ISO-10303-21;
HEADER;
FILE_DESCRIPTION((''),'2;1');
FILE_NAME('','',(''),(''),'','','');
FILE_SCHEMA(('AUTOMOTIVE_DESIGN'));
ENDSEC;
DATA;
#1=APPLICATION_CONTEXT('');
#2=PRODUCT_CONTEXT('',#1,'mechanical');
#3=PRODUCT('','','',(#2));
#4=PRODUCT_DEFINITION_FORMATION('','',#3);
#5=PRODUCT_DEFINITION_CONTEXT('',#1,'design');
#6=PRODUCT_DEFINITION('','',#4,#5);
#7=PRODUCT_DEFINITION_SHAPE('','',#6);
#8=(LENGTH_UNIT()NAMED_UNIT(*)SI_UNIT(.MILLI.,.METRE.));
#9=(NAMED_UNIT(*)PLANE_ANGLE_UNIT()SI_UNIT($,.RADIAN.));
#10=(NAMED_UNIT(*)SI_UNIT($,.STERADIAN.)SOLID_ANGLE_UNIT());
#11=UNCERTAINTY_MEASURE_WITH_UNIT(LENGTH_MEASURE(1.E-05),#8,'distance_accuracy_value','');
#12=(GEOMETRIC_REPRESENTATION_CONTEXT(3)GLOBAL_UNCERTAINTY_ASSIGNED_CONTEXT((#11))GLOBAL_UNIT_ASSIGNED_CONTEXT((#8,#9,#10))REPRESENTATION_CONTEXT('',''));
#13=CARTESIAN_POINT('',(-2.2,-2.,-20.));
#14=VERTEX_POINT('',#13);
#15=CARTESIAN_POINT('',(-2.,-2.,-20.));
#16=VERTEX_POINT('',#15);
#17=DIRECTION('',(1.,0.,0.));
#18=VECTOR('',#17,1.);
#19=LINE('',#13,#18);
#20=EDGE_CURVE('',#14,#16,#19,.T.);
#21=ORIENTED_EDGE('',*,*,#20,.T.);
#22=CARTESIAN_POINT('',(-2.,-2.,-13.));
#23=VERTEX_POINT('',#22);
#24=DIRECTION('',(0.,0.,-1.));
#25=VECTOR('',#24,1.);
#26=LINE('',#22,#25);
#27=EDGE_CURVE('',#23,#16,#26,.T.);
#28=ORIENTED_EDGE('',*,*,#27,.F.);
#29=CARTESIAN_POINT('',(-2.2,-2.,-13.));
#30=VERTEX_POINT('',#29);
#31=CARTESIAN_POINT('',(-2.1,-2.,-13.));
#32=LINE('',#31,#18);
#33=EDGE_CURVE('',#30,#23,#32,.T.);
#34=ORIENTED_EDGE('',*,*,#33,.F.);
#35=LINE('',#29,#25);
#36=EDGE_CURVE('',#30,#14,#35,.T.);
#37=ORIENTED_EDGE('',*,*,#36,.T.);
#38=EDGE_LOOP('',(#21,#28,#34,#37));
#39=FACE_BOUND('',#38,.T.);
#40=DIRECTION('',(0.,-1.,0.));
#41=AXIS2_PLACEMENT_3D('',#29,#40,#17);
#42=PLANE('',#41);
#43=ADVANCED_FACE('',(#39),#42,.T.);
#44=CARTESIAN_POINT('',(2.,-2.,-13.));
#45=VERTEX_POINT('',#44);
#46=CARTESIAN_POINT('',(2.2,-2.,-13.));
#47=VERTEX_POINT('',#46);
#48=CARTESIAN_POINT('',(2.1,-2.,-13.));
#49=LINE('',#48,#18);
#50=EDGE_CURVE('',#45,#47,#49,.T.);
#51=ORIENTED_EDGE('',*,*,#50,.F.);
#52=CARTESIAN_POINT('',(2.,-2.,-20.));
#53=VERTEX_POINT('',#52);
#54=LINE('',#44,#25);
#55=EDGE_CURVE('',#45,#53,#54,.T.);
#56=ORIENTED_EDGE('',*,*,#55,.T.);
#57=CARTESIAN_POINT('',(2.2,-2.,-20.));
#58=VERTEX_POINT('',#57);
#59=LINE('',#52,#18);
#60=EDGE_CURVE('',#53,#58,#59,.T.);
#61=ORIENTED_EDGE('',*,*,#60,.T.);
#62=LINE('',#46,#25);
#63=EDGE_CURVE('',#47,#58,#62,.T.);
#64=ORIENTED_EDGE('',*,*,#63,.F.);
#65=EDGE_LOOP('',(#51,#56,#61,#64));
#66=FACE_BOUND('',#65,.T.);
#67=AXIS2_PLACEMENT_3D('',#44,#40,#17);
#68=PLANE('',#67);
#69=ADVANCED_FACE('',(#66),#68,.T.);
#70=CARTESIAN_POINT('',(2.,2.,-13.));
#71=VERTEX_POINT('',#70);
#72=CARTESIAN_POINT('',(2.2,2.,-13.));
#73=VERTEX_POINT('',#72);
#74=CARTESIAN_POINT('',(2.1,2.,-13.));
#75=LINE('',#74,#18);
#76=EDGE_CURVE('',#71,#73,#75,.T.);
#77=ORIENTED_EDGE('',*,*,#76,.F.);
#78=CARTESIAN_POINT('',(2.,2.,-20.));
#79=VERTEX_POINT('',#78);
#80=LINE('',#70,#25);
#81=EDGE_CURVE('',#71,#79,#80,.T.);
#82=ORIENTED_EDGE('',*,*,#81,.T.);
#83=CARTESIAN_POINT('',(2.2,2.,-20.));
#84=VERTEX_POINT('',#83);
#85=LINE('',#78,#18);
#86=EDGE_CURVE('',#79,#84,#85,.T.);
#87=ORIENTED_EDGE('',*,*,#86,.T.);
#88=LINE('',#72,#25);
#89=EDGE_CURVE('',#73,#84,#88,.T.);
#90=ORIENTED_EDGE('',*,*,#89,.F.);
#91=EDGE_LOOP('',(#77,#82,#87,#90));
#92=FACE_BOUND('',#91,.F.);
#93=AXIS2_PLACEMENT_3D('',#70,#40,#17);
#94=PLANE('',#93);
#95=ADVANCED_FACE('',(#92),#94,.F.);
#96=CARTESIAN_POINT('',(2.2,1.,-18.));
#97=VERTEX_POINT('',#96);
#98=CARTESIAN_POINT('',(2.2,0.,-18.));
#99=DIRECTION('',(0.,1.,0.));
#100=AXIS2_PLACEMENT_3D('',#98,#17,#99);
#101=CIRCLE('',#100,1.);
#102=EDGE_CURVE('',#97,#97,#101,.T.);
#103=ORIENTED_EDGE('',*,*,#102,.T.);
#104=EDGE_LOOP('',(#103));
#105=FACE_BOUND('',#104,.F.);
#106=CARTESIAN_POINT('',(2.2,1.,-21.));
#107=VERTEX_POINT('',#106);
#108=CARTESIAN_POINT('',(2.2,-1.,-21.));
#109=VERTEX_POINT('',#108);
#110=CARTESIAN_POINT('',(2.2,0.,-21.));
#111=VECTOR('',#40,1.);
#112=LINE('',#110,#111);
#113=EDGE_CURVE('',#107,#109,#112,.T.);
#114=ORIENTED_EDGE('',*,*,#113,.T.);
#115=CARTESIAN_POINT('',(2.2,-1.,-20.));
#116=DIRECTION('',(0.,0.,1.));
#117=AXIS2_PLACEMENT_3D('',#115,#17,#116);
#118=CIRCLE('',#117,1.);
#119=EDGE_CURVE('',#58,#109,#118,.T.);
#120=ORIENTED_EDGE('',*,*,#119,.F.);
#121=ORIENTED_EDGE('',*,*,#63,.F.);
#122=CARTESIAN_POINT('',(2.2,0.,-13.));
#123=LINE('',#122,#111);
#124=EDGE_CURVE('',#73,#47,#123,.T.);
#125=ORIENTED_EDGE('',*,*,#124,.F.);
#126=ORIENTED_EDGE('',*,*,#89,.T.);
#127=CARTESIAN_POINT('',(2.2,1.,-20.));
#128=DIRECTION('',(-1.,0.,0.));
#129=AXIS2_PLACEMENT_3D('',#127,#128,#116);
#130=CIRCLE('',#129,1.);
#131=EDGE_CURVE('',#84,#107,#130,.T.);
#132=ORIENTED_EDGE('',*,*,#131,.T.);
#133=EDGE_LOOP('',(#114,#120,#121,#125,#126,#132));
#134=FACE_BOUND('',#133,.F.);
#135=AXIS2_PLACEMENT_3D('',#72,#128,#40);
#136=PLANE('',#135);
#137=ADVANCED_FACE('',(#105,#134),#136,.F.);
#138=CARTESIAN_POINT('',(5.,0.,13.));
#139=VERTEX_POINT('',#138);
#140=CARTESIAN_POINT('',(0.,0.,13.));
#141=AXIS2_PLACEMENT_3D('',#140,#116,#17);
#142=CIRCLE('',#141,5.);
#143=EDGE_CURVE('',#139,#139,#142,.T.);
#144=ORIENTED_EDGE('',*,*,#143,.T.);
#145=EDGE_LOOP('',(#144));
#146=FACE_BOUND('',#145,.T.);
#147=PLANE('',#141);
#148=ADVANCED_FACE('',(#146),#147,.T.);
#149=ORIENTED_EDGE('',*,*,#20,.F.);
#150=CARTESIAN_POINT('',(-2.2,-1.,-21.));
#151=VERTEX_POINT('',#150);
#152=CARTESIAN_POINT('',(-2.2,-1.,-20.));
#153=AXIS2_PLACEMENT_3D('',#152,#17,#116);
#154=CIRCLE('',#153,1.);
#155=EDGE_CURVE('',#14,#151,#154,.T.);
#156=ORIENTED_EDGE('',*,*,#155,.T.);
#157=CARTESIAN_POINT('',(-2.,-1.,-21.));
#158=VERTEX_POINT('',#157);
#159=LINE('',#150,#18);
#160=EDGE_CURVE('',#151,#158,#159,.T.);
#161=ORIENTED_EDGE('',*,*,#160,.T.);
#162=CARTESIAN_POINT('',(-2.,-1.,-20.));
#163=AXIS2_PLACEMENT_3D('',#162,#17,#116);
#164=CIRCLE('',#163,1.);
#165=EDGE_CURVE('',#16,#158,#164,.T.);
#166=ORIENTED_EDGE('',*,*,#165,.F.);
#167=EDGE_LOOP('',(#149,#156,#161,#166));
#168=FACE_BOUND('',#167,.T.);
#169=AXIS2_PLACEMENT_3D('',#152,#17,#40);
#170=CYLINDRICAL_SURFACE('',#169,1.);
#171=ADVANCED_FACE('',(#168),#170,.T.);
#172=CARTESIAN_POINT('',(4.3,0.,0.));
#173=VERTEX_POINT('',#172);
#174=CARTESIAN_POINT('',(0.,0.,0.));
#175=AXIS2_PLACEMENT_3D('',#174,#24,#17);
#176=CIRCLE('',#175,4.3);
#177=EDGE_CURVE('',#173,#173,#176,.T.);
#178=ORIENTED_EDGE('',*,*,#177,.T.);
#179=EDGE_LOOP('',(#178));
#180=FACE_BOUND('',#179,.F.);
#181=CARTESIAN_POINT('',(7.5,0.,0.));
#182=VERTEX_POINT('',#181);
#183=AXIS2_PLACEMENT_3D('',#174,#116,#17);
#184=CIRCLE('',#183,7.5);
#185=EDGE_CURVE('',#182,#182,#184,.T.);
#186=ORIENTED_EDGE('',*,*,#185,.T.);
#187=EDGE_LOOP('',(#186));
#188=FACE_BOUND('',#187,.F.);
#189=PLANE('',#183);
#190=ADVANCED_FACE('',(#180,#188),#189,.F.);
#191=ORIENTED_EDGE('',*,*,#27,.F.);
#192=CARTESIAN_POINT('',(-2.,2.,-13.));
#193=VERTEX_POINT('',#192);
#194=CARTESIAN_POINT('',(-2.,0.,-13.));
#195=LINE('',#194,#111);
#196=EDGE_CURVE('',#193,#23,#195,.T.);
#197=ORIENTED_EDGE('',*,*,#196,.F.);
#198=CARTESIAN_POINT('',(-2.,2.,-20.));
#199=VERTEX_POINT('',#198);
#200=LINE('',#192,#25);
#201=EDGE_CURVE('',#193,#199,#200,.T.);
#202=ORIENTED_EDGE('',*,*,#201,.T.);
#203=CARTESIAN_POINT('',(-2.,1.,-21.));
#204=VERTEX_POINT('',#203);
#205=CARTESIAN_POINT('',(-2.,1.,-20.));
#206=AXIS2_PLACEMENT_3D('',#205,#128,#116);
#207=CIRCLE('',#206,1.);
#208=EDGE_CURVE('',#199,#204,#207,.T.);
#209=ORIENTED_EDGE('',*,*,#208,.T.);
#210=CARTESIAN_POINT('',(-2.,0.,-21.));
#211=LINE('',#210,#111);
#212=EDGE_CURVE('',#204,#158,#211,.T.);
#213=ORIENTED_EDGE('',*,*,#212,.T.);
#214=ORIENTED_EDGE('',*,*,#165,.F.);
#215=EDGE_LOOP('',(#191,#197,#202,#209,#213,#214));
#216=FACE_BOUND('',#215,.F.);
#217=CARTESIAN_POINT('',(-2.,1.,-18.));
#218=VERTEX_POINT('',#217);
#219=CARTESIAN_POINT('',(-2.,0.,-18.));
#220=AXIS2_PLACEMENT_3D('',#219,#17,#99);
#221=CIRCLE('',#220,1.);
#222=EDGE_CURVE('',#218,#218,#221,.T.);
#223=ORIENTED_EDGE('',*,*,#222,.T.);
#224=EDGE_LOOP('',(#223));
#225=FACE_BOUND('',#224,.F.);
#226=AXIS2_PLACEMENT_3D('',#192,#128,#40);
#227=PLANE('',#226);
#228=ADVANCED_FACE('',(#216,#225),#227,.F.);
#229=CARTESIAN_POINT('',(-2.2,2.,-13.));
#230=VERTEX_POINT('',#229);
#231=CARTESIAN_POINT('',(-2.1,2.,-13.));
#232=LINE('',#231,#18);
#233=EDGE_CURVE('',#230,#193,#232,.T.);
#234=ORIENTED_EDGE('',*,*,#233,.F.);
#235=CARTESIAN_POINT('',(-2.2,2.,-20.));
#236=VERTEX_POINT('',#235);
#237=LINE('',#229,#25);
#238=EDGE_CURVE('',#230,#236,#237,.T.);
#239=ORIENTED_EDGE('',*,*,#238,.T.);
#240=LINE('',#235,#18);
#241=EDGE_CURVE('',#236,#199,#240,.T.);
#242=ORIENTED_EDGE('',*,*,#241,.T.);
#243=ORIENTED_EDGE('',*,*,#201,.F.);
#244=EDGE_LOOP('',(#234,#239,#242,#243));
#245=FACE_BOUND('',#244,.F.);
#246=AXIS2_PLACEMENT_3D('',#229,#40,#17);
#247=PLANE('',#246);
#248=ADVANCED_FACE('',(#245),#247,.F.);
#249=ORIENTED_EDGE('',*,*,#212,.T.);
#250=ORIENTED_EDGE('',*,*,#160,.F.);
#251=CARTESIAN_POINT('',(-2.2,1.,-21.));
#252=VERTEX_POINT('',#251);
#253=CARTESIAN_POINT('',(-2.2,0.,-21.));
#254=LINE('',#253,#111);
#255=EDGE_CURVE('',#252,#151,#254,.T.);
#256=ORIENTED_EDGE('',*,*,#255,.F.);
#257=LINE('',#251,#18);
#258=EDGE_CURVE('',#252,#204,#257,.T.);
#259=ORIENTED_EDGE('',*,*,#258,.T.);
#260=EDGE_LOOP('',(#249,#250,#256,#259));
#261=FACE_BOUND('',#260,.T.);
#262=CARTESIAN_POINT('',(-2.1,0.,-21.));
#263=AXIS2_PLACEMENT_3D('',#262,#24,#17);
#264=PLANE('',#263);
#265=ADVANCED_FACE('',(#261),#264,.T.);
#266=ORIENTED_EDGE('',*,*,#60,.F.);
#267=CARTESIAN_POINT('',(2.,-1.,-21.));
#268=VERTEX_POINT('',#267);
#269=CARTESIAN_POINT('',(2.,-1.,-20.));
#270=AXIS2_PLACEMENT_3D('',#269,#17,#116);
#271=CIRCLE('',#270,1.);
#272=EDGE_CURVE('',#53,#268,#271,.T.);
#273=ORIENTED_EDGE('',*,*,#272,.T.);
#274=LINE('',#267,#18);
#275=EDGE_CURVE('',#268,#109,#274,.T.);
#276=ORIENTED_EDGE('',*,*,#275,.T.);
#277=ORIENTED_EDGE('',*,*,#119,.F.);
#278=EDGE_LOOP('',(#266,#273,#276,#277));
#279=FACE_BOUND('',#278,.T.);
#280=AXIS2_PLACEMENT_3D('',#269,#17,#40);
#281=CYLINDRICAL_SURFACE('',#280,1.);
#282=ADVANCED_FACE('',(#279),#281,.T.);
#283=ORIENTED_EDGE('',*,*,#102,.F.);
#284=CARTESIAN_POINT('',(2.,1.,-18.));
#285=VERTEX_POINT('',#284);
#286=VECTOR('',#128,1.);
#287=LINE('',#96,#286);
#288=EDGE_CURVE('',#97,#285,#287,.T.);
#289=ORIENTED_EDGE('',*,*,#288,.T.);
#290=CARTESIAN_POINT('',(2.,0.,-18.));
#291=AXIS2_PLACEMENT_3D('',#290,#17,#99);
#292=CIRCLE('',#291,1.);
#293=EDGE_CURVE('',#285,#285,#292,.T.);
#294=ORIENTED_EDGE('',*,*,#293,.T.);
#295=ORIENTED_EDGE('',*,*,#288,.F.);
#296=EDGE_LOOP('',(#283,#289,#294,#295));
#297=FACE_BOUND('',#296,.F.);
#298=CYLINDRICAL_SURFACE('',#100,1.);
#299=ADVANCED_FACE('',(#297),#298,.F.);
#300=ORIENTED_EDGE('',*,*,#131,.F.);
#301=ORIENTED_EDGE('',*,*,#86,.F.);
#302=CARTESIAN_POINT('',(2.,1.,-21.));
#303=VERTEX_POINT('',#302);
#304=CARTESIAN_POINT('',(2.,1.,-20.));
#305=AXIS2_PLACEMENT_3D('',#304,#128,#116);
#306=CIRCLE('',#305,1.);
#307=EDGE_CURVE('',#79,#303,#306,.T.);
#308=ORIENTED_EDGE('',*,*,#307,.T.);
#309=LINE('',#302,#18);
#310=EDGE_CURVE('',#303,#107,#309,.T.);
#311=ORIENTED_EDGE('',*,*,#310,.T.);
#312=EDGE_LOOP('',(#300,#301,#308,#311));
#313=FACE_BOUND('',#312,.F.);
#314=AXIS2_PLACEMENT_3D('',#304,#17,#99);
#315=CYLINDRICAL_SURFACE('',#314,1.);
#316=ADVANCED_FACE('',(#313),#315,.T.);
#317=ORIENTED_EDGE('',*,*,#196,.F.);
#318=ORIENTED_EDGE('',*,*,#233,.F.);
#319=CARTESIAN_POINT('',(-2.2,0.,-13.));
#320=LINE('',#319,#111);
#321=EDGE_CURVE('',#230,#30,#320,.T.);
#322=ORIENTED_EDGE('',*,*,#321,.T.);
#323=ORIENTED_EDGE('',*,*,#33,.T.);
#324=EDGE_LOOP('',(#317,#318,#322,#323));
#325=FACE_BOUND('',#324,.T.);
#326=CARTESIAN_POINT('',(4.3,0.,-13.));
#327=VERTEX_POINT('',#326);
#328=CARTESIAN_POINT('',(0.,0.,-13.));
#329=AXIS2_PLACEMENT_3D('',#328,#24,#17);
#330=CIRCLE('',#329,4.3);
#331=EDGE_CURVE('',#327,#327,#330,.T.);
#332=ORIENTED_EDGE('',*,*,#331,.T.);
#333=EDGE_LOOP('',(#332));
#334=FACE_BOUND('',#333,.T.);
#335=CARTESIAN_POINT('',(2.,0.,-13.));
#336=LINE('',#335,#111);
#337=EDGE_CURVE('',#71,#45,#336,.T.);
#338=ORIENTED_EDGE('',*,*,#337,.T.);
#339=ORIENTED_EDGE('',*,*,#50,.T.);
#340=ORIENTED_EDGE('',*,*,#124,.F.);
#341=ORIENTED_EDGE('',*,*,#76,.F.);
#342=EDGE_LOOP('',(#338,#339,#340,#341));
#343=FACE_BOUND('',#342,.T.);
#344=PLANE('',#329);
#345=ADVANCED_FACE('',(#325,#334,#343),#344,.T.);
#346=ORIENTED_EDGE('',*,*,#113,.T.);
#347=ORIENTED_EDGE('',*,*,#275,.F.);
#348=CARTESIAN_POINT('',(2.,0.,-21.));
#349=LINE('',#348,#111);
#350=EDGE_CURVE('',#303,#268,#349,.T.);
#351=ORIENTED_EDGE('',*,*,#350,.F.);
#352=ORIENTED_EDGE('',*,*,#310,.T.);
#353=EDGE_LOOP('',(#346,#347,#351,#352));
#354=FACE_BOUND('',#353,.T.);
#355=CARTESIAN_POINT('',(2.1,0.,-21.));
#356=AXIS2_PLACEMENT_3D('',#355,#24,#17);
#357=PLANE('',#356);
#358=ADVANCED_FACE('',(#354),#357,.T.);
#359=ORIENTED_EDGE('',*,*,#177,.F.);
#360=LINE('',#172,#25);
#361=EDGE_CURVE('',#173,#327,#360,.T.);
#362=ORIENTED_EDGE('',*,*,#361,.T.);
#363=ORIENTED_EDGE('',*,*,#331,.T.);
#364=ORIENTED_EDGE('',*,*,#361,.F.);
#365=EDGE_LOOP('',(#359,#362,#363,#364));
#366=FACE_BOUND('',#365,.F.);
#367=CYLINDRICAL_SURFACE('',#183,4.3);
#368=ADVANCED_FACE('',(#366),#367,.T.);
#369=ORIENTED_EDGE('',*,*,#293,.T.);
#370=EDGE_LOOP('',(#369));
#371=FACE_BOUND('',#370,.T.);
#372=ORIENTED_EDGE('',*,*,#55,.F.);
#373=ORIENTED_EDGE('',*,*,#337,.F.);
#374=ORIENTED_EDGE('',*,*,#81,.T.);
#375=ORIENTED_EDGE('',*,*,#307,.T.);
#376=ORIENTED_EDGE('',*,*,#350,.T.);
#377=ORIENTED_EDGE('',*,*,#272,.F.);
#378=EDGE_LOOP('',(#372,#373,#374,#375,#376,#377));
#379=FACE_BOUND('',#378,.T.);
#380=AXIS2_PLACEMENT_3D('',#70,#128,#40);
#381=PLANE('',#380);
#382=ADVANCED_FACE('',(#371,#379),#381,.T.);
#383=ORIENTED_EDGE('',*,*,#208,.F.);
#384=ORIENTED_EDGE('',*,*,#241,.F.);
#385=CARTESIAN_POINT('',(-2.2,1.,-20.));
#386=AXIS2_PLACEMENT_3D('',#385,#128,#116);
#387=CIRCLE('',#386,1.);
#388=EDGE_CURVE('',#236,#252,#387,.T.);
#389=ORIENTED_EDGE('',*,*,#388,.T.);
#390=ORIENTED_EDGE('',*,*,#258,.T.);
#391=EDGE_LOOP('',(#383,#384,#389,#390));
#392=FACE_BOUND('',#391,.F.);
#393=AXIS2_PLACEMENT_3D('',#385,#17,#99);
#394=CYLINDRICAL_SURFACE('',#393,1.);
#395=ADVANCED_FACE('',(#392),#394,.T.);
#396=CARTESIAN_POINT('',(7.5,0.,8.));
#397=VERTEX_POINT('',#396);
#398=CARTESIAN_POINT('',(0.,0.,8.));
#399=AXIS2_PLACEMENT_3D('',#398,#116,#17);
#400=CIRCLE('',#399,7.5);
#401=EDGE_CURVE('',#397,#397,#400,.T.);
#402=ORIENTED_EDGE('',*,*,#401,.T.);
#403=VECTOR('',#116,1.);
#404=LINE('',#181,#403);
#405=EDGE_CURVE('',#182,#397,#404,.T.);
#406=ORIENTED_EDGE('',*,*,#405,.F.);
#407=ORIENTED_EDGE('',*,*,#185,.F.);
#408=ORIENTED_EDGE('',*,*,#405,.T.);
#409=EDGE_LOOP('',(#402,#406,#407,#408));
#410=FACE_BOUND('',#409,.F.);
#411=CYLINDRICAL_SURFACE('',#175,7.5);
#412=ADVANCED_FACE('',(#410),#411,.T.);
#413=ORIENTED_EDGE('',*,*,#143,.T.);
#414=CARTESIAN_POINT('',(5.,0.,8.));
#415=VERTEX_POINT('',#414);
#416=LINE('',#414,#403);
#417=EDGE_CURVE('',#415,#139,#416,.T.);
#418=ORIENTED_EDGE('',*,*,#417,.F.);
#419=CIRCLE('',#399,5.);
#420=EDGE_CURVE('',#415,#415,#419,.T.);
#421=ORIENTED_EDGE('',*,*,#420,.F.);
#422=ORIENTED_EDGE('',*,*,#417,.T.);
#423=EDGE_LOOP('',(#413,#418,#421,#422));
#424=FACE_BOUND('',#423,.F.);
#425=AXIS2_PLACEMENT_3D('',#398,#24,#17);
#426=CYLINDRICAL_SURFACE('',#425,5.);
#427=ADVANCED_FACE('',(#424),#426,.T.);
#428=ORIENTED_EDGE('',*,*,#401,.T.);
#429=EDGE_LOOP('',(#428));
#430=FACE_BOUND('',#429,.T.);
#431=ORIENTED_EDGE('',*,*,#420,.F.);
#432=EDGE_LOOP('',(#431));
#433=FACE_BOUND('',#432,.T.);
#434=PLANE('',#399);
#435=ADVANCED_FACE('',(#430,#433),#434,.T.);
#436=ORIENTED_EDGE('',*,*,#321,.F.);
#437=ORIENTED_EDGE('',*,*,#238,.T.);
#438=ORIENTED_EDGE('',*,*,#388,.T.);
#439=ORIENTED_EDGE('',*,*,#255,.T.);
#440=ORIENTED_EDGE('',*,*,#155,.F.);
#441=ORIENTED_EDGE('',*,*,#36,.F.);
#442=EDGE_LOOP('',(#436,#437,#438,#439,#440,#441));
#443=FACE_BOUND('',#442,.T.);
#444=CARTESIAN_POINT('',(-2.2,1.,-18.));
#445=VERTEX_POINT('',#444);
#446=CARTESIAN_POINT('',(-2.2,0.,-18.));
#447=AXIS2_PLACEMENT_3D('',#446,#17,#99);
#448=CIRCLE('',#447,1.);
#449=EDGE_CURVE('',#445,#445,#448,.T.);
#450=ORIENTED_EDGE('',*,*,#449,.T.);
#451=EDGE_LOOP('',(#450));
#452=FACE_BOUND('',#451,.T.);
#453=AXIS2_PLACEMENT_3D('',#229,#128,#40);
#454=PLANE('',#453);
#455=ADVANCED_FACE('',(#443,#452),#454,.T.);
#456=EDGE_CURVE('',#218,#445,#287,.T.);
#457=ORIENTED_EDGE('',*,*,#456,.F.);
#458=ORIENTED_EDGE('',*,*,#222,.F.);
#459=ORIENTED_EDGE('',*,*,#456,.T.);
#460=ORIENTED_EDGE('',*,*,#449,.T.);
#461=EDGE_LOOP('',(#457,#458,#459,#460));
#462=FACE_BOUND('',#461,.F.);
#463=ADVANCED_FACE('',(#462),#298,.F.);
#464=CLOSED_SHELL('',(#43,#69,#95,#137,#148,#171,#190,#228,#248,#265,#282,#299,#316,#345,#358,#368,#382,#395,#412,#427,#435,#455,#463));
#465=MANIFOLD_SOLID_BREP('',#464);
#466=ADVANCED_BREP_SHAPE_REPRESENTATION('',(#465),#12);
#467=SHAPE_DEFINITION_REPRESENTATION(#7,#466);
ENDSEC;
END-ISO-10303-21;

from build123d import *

# Parameters (mm, degrees)
SKETCH_R     = 7.5
PAD_DEPTH    = 8
SKETCH001_R  = 5
PAD001_DEPTH = 5
SKETCH002_R  = 4.3
PAD002_DEPTH = 13
SKETCH003_W  = 0.2
SKETCH003_H  = 4
PAD003_DEPTH = 8
SKETCH004_R  = 1
POCKET_DEPTH = 9.701
FILLET_R     = 1


with BuildPart() as part:
    # Sketch (on XY_Plane of Origin) → Pad (new body)
    with BuildSketch(Plane.XY):
        Circle(SKETCH_R)
    extrude(amount=PAD_DEPTH)

    # Sketch001 (on Face3 of Pad) → Pad001 (join)
    with BuildSketch(Plane.XY.offset(8)):
        Circle(SKETCH001_R)
    extrude(amount=PAD001_DEPTH)

    # Sketch002 (on Face2 of Pad001) → Pad002 (join)
    with BuildSketch(Plane(origin=(0, 0, 0), x_dir=(1, 0, 0), z_dir=(0, 0, -1))):
        Circle(SKETCH002_R)
    extrude(amount=PAD002_DEPTH)

    # Sketch003 (on Face6 of Pad002) → Pad003 (join)
    with BuildSketch(Plane(origin=(0, 0, -13), x_dir=(1, 0, 0), z_dir=(0, 0, -1))):
        with Locations((-2.1, 0)):
            Rectangle(SKETCH003_W, SKETCH003_H)
        with Locations((2.1, 0)):
            Rectangle(SKETCH003_W, SKETCH003_H)
    extrude(amount=PAD003_DEPTH)

    # Sketch004 (on Face9 of Pad003) → Pocket (cut, through all)
    with BuildSketch(Plane.YZ.offset(2.2)):
        with Locations((0, -18)):
            Circle(SKETCH004_R)
    extrude(amount=-POCKET_DEPTH, mode=Mode.SUBTRACT)

    # Fillet
    fillet_edges = [part.edges().sort_by_distance(p)[0] for p in [
        (-2.1, 2, -21),
        (2.1, 2, -21),
        (-2.1, -2, -21),
        (2.1, -2, -21),
    ]]
    fillet(fillet_edges, radius=FILLET_R)


solid = part.part
